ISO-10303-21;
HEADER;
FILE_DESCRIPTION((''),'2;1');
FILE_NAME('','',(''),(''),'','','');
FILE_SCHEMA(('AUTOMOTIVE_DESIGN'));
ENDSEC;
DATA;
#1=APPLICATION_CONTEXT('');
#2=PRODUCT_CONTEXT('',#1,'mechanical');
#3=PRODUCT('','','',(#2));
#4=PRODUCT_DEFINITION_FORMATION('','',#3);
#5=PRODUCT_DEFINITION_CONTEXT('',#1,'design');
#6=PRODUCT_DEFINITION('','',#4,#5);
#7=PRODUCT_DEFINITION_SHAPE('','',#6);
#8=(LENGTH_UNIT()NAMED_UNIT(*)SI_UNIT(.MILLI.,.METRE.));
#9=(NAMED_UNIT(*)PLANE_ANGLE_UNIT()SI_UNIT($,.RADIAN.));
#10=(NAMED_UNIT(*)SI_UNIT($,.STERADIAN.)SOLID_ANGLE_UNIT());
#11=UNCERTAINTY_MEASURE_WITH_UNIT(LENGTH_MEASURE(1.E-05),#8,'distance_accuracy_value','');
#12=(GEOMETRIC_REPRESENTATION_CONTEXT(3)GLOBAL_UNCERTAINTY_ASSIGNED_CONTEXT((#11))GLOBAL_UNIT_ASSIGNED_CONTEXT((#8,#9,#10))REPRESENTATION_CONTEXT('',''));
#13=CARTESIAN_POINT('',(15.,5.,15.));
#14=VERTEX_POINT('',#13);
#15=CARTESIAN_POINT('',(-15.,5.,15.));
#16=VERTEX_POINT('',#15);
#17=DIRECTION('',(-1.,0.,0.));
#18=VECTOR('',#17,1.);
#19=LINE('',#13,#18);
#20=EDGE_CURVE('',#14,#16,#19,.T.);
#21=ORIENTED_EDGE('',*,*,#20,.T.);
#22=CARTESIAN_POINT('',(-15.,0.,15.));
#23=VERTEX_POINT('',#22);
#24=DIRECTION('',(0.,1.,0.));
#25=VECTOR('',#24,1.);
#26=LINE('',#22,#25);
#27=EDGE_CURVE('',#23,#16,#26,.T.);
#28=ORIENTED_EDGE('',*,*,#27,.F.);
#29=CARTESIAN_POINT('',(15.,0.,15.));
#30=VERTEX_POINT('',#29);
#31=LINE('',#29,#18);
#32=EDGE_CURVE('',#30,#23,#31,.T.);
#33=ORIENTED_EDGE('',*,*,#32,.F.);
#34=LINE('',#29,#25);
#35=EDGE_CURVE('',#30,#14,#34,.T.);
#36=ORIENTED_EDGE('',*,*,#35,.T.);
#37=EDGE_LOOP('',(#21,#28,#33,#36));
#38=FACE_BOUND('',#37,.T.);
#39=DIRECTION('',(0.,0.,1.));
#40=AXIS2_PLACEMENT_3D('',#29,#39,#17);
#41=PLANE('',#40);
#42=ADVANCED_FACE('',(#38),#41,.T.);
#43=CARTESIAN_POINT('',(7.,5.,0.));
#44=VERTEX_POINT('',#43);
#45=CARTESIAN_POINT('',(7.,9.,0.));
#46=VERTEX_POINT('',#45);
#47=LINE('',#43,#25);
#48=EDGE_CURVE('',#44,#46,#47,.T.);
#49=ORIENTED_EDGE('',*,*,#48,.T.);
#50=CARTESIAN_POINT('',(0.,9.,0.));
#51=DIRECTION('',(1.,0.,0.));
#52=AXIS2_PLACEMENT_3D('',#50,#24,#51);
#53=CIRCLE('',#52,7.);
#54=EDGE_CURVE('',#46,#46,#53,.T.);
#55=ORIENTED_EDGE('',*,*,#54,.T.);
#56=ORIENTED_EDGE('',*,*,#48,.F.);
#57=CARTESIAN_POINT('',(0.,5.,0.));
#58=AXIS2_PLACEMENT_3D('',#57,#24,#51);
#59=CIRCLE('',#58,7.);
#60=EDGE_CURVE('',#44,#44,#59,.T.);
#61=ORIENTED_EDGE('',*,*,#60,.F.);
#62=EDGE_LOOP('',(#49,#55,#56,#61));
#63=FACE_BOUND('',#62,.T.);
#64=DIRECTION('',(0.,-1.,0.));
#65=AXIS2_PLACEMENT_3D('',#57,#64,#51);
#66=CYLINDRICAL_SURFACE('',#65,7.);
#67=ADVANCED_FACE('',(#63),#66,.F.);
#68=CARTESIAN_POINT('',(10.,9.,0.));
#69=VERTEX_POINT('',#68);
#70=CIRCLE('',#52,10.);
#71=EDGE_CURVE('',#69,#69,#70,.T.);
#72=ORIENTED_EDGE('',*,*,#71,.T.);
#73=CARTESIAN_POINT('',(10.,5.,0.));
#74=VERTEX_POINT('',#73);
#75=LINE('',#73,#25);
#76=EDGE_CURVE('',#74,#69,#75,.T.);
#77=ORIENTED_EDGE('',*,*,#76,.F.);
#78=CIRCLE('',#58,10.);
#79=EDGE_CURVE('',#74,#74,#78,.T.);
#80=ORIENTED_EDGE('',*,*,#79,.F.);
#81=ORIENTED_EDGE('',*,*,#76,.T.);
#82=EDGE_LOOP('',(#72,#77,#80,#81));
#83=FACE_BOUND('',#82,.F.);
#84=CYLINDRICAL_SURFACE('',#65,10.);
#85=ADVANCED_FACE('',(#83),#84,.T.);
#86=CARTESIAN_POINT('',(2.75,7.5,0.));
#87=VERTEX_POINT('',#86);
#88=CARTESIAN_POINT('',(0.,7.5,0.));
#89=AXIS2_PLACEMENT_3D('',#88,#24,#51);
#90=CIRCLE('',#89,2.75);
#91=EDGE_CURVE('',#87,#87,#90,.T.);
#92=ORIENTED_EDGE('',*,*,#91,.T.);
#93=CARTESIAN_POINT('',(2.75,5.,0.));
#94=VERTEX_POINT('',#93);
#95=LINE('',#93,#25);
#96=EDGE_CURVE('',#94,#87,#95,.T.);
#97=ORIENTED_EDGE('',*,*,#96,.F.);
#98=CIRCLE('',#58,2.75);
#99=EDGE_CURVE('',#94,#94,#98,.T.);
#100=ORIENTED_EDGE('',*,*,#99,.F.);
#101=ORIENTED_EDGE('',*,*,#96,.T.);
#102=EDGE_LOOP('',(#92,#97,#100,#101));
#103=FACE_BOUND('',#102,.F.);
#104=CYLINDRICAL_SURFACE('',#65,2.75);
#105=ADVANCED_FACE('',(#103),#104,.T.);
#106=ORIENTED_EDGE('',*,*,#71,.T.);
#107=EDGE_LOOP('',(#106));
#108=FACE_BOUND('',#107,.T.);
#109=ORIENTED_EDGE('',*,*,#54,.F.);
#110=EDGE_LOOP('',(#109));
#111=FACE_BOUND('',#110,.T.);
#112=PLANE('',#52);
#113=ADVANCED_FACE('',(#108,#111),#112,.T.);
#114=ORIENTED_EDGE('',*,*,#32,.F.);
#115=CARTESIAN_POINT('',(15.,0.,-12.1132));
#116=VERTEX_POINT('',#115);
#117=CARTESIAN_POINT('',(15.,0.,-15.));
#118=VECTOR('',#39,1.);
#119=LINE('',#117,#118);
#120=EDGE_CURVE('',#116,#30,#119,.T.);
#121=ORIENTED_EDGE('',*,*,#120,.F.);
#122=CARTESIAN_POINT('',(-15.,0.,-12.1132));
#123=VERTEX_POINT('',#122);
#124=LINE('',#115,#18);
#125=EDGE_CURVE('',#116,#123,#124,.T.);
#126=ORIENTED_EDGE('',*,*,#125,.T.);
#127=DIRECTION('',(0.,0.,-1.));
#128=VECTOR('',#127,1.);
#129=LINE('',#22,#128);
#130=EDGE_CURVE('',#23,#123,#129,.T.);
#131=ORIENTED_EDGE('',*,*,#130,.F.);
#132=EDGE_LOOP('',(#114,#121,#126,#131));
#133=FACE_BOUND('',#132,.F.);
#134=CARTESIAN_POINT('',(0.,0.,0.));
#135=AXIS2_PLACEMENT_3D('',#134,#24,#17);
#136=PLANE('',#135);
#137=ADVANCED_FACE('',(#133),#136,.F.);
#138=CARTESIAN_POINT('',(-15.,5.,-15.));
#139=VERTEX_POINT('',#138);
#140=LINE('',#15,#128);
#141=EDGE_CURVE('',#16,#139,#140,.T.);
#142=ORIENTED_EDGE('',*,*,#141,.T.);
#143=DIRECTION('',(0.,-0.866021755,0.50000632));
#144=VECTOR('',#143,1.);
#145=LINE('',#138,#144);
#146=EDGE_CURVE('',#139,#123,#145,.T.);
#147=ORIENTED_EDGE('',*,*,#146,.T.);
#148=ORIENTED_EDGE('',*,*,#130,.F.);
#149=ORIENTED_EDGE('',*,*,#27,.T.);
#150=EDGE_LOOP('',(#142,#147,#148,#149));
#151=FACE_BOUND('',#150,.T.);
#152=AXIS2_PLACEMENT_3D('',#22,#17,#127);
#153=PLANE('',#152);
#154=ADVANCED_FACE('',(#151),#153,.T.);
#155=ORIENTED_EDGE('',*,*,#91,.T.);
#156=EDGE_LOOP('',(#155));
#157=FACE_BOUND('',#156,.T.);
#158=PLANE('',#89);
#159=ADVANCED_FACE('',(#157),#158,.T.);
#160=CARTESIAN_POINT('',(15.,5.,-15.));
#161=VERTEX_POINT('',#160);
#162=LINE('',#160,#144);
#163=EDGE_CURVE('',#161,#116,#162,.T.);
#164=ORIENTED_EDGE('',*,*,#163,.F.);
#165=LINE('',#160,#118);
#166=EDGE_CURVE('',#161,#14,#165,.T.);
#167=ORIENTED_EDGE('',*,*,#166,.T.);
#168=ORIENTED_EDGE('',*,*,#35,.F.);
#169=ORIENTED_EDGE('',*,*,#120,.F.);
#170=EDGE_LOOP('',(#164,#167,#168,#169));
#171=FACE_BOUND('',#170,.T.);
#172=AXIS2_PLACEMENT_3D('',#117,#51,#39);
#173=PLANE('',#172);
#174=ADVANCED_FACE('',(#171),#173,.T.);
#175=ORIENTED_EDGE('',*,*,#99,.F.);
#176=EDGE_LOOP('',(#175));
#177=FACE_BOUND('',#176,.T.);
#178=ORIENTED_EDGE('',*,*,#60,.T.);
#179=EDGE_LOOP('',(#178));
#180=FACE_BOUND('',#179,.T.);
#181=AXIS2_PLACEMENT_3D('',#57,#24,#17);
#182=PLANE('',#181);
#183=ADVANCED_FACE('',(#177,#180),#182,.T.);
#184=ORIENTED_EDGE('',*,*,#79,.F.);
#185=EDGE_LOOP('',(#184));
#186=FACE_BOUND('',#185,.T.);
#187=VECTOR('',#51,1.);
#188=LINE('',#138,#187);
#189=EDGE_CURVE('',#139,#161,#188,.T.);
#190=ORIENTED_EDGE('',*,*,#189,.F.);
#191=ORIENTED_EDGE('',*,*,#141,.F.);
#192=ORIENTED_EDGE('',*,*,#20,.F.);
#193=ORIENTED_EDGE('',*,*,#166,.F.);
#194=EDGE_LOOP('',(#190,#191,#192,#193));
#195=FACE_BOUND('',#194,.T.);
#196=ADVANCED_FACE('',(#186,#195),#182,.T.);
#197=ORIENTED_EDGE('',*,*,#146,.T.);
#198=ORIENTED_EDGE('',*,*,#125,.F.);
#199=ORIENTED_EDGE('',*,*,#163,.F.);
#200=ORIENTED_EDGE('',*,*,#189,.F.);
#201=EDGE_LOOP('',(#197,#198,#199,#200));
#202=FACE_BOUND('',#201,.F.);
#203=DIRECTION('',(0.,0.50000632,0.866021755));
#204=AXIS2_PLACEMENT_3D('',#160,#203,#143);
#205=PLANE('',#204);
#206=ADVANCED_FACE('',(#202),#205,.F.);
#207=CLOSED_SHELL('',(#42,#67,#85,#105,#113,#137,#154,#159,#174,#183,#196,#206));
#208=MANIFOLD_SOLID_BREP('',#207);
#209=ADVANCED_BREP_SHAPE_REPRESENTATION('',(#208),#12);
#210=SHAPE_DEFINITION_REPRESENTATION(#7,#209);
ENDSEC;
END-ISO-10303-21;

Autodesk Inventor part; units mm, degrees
ref_plane "YZ Plane" through (0, 0, 0) normal (1, 0, 0) x (0, 1, 0)
ref_plane "XZ Plane" through (0, 0, 0) normal (0, 1, 0) x (-1, 0, 0)
ref_plane "XY Plane" through (0, 0, 0) normal (0, 0, 1) x (1, 0, 0)
sketch "Sketch1" plane through (0, 0, 0) normal (0, 1, 0) x (-1, 0, 0)
  line L0 (-15, 15) -> (15, 15)
  line L1 (15, 15) -> (15, -15)
  line L2 (15, -15) -> (-15, -15)
  line L3 (-15, -15) -> (-15, 15)
  line L4 (-15, 15) -> (15, -15) construction
  line L5 (15, 15) -> (-15, -15) construction
  point P0 (0, 0)
  dimension "d0" = 30
  dimension "d1" = 30
extrude "Extrusion1" add sketch "Sketch1" along normal blind 5
sketch "Sketch2" plane through (0, 5, 0) normal (0, 1, 0) x (1, 0, 0)
  circle A0 centre (0, 0) radius 2.75
  dimension "d4" = 5.5
extrude "Extrusion2" add sketch "Sketch2" along normal blind 2.5
sketch "Sketch3" plane through (0, 5, 0) normal (0, 1, 0) x (1, 0, 0)
  circle A0 centre (0, 0) radius 7
  circle A1 centre (0, 0) radius 10
  dimension "d7" = 14
  dimension "d8" = 20
extrude "Extrusion3" add sketch "Sketch3" along normal blind 4
sketch "Sketch4" plane through (15, 0, 15) normal (1, 0, 0) x (0, 0, -1)
  line L0 (30, 5) -> (0, 5) projected
  line L1 (30, 0) -> (30, 5) projected
  line L2 (30, 5) -> (27.1132, 0)
  line L3 (30, 5) -> (39.3023, 5) construction
  line L4 (30, 0) -> (0, 0) projected
  line L5 (27.1132, 0) -> (30, 0)
  line L6 (30, 0) -> (30, 5)
  point P0 (15, 0)
  dimension "d12" = 120
extrude "Extrusion4" cut sketch "Sketch4" against normal blind 30
properties part number "thumb_mount"
